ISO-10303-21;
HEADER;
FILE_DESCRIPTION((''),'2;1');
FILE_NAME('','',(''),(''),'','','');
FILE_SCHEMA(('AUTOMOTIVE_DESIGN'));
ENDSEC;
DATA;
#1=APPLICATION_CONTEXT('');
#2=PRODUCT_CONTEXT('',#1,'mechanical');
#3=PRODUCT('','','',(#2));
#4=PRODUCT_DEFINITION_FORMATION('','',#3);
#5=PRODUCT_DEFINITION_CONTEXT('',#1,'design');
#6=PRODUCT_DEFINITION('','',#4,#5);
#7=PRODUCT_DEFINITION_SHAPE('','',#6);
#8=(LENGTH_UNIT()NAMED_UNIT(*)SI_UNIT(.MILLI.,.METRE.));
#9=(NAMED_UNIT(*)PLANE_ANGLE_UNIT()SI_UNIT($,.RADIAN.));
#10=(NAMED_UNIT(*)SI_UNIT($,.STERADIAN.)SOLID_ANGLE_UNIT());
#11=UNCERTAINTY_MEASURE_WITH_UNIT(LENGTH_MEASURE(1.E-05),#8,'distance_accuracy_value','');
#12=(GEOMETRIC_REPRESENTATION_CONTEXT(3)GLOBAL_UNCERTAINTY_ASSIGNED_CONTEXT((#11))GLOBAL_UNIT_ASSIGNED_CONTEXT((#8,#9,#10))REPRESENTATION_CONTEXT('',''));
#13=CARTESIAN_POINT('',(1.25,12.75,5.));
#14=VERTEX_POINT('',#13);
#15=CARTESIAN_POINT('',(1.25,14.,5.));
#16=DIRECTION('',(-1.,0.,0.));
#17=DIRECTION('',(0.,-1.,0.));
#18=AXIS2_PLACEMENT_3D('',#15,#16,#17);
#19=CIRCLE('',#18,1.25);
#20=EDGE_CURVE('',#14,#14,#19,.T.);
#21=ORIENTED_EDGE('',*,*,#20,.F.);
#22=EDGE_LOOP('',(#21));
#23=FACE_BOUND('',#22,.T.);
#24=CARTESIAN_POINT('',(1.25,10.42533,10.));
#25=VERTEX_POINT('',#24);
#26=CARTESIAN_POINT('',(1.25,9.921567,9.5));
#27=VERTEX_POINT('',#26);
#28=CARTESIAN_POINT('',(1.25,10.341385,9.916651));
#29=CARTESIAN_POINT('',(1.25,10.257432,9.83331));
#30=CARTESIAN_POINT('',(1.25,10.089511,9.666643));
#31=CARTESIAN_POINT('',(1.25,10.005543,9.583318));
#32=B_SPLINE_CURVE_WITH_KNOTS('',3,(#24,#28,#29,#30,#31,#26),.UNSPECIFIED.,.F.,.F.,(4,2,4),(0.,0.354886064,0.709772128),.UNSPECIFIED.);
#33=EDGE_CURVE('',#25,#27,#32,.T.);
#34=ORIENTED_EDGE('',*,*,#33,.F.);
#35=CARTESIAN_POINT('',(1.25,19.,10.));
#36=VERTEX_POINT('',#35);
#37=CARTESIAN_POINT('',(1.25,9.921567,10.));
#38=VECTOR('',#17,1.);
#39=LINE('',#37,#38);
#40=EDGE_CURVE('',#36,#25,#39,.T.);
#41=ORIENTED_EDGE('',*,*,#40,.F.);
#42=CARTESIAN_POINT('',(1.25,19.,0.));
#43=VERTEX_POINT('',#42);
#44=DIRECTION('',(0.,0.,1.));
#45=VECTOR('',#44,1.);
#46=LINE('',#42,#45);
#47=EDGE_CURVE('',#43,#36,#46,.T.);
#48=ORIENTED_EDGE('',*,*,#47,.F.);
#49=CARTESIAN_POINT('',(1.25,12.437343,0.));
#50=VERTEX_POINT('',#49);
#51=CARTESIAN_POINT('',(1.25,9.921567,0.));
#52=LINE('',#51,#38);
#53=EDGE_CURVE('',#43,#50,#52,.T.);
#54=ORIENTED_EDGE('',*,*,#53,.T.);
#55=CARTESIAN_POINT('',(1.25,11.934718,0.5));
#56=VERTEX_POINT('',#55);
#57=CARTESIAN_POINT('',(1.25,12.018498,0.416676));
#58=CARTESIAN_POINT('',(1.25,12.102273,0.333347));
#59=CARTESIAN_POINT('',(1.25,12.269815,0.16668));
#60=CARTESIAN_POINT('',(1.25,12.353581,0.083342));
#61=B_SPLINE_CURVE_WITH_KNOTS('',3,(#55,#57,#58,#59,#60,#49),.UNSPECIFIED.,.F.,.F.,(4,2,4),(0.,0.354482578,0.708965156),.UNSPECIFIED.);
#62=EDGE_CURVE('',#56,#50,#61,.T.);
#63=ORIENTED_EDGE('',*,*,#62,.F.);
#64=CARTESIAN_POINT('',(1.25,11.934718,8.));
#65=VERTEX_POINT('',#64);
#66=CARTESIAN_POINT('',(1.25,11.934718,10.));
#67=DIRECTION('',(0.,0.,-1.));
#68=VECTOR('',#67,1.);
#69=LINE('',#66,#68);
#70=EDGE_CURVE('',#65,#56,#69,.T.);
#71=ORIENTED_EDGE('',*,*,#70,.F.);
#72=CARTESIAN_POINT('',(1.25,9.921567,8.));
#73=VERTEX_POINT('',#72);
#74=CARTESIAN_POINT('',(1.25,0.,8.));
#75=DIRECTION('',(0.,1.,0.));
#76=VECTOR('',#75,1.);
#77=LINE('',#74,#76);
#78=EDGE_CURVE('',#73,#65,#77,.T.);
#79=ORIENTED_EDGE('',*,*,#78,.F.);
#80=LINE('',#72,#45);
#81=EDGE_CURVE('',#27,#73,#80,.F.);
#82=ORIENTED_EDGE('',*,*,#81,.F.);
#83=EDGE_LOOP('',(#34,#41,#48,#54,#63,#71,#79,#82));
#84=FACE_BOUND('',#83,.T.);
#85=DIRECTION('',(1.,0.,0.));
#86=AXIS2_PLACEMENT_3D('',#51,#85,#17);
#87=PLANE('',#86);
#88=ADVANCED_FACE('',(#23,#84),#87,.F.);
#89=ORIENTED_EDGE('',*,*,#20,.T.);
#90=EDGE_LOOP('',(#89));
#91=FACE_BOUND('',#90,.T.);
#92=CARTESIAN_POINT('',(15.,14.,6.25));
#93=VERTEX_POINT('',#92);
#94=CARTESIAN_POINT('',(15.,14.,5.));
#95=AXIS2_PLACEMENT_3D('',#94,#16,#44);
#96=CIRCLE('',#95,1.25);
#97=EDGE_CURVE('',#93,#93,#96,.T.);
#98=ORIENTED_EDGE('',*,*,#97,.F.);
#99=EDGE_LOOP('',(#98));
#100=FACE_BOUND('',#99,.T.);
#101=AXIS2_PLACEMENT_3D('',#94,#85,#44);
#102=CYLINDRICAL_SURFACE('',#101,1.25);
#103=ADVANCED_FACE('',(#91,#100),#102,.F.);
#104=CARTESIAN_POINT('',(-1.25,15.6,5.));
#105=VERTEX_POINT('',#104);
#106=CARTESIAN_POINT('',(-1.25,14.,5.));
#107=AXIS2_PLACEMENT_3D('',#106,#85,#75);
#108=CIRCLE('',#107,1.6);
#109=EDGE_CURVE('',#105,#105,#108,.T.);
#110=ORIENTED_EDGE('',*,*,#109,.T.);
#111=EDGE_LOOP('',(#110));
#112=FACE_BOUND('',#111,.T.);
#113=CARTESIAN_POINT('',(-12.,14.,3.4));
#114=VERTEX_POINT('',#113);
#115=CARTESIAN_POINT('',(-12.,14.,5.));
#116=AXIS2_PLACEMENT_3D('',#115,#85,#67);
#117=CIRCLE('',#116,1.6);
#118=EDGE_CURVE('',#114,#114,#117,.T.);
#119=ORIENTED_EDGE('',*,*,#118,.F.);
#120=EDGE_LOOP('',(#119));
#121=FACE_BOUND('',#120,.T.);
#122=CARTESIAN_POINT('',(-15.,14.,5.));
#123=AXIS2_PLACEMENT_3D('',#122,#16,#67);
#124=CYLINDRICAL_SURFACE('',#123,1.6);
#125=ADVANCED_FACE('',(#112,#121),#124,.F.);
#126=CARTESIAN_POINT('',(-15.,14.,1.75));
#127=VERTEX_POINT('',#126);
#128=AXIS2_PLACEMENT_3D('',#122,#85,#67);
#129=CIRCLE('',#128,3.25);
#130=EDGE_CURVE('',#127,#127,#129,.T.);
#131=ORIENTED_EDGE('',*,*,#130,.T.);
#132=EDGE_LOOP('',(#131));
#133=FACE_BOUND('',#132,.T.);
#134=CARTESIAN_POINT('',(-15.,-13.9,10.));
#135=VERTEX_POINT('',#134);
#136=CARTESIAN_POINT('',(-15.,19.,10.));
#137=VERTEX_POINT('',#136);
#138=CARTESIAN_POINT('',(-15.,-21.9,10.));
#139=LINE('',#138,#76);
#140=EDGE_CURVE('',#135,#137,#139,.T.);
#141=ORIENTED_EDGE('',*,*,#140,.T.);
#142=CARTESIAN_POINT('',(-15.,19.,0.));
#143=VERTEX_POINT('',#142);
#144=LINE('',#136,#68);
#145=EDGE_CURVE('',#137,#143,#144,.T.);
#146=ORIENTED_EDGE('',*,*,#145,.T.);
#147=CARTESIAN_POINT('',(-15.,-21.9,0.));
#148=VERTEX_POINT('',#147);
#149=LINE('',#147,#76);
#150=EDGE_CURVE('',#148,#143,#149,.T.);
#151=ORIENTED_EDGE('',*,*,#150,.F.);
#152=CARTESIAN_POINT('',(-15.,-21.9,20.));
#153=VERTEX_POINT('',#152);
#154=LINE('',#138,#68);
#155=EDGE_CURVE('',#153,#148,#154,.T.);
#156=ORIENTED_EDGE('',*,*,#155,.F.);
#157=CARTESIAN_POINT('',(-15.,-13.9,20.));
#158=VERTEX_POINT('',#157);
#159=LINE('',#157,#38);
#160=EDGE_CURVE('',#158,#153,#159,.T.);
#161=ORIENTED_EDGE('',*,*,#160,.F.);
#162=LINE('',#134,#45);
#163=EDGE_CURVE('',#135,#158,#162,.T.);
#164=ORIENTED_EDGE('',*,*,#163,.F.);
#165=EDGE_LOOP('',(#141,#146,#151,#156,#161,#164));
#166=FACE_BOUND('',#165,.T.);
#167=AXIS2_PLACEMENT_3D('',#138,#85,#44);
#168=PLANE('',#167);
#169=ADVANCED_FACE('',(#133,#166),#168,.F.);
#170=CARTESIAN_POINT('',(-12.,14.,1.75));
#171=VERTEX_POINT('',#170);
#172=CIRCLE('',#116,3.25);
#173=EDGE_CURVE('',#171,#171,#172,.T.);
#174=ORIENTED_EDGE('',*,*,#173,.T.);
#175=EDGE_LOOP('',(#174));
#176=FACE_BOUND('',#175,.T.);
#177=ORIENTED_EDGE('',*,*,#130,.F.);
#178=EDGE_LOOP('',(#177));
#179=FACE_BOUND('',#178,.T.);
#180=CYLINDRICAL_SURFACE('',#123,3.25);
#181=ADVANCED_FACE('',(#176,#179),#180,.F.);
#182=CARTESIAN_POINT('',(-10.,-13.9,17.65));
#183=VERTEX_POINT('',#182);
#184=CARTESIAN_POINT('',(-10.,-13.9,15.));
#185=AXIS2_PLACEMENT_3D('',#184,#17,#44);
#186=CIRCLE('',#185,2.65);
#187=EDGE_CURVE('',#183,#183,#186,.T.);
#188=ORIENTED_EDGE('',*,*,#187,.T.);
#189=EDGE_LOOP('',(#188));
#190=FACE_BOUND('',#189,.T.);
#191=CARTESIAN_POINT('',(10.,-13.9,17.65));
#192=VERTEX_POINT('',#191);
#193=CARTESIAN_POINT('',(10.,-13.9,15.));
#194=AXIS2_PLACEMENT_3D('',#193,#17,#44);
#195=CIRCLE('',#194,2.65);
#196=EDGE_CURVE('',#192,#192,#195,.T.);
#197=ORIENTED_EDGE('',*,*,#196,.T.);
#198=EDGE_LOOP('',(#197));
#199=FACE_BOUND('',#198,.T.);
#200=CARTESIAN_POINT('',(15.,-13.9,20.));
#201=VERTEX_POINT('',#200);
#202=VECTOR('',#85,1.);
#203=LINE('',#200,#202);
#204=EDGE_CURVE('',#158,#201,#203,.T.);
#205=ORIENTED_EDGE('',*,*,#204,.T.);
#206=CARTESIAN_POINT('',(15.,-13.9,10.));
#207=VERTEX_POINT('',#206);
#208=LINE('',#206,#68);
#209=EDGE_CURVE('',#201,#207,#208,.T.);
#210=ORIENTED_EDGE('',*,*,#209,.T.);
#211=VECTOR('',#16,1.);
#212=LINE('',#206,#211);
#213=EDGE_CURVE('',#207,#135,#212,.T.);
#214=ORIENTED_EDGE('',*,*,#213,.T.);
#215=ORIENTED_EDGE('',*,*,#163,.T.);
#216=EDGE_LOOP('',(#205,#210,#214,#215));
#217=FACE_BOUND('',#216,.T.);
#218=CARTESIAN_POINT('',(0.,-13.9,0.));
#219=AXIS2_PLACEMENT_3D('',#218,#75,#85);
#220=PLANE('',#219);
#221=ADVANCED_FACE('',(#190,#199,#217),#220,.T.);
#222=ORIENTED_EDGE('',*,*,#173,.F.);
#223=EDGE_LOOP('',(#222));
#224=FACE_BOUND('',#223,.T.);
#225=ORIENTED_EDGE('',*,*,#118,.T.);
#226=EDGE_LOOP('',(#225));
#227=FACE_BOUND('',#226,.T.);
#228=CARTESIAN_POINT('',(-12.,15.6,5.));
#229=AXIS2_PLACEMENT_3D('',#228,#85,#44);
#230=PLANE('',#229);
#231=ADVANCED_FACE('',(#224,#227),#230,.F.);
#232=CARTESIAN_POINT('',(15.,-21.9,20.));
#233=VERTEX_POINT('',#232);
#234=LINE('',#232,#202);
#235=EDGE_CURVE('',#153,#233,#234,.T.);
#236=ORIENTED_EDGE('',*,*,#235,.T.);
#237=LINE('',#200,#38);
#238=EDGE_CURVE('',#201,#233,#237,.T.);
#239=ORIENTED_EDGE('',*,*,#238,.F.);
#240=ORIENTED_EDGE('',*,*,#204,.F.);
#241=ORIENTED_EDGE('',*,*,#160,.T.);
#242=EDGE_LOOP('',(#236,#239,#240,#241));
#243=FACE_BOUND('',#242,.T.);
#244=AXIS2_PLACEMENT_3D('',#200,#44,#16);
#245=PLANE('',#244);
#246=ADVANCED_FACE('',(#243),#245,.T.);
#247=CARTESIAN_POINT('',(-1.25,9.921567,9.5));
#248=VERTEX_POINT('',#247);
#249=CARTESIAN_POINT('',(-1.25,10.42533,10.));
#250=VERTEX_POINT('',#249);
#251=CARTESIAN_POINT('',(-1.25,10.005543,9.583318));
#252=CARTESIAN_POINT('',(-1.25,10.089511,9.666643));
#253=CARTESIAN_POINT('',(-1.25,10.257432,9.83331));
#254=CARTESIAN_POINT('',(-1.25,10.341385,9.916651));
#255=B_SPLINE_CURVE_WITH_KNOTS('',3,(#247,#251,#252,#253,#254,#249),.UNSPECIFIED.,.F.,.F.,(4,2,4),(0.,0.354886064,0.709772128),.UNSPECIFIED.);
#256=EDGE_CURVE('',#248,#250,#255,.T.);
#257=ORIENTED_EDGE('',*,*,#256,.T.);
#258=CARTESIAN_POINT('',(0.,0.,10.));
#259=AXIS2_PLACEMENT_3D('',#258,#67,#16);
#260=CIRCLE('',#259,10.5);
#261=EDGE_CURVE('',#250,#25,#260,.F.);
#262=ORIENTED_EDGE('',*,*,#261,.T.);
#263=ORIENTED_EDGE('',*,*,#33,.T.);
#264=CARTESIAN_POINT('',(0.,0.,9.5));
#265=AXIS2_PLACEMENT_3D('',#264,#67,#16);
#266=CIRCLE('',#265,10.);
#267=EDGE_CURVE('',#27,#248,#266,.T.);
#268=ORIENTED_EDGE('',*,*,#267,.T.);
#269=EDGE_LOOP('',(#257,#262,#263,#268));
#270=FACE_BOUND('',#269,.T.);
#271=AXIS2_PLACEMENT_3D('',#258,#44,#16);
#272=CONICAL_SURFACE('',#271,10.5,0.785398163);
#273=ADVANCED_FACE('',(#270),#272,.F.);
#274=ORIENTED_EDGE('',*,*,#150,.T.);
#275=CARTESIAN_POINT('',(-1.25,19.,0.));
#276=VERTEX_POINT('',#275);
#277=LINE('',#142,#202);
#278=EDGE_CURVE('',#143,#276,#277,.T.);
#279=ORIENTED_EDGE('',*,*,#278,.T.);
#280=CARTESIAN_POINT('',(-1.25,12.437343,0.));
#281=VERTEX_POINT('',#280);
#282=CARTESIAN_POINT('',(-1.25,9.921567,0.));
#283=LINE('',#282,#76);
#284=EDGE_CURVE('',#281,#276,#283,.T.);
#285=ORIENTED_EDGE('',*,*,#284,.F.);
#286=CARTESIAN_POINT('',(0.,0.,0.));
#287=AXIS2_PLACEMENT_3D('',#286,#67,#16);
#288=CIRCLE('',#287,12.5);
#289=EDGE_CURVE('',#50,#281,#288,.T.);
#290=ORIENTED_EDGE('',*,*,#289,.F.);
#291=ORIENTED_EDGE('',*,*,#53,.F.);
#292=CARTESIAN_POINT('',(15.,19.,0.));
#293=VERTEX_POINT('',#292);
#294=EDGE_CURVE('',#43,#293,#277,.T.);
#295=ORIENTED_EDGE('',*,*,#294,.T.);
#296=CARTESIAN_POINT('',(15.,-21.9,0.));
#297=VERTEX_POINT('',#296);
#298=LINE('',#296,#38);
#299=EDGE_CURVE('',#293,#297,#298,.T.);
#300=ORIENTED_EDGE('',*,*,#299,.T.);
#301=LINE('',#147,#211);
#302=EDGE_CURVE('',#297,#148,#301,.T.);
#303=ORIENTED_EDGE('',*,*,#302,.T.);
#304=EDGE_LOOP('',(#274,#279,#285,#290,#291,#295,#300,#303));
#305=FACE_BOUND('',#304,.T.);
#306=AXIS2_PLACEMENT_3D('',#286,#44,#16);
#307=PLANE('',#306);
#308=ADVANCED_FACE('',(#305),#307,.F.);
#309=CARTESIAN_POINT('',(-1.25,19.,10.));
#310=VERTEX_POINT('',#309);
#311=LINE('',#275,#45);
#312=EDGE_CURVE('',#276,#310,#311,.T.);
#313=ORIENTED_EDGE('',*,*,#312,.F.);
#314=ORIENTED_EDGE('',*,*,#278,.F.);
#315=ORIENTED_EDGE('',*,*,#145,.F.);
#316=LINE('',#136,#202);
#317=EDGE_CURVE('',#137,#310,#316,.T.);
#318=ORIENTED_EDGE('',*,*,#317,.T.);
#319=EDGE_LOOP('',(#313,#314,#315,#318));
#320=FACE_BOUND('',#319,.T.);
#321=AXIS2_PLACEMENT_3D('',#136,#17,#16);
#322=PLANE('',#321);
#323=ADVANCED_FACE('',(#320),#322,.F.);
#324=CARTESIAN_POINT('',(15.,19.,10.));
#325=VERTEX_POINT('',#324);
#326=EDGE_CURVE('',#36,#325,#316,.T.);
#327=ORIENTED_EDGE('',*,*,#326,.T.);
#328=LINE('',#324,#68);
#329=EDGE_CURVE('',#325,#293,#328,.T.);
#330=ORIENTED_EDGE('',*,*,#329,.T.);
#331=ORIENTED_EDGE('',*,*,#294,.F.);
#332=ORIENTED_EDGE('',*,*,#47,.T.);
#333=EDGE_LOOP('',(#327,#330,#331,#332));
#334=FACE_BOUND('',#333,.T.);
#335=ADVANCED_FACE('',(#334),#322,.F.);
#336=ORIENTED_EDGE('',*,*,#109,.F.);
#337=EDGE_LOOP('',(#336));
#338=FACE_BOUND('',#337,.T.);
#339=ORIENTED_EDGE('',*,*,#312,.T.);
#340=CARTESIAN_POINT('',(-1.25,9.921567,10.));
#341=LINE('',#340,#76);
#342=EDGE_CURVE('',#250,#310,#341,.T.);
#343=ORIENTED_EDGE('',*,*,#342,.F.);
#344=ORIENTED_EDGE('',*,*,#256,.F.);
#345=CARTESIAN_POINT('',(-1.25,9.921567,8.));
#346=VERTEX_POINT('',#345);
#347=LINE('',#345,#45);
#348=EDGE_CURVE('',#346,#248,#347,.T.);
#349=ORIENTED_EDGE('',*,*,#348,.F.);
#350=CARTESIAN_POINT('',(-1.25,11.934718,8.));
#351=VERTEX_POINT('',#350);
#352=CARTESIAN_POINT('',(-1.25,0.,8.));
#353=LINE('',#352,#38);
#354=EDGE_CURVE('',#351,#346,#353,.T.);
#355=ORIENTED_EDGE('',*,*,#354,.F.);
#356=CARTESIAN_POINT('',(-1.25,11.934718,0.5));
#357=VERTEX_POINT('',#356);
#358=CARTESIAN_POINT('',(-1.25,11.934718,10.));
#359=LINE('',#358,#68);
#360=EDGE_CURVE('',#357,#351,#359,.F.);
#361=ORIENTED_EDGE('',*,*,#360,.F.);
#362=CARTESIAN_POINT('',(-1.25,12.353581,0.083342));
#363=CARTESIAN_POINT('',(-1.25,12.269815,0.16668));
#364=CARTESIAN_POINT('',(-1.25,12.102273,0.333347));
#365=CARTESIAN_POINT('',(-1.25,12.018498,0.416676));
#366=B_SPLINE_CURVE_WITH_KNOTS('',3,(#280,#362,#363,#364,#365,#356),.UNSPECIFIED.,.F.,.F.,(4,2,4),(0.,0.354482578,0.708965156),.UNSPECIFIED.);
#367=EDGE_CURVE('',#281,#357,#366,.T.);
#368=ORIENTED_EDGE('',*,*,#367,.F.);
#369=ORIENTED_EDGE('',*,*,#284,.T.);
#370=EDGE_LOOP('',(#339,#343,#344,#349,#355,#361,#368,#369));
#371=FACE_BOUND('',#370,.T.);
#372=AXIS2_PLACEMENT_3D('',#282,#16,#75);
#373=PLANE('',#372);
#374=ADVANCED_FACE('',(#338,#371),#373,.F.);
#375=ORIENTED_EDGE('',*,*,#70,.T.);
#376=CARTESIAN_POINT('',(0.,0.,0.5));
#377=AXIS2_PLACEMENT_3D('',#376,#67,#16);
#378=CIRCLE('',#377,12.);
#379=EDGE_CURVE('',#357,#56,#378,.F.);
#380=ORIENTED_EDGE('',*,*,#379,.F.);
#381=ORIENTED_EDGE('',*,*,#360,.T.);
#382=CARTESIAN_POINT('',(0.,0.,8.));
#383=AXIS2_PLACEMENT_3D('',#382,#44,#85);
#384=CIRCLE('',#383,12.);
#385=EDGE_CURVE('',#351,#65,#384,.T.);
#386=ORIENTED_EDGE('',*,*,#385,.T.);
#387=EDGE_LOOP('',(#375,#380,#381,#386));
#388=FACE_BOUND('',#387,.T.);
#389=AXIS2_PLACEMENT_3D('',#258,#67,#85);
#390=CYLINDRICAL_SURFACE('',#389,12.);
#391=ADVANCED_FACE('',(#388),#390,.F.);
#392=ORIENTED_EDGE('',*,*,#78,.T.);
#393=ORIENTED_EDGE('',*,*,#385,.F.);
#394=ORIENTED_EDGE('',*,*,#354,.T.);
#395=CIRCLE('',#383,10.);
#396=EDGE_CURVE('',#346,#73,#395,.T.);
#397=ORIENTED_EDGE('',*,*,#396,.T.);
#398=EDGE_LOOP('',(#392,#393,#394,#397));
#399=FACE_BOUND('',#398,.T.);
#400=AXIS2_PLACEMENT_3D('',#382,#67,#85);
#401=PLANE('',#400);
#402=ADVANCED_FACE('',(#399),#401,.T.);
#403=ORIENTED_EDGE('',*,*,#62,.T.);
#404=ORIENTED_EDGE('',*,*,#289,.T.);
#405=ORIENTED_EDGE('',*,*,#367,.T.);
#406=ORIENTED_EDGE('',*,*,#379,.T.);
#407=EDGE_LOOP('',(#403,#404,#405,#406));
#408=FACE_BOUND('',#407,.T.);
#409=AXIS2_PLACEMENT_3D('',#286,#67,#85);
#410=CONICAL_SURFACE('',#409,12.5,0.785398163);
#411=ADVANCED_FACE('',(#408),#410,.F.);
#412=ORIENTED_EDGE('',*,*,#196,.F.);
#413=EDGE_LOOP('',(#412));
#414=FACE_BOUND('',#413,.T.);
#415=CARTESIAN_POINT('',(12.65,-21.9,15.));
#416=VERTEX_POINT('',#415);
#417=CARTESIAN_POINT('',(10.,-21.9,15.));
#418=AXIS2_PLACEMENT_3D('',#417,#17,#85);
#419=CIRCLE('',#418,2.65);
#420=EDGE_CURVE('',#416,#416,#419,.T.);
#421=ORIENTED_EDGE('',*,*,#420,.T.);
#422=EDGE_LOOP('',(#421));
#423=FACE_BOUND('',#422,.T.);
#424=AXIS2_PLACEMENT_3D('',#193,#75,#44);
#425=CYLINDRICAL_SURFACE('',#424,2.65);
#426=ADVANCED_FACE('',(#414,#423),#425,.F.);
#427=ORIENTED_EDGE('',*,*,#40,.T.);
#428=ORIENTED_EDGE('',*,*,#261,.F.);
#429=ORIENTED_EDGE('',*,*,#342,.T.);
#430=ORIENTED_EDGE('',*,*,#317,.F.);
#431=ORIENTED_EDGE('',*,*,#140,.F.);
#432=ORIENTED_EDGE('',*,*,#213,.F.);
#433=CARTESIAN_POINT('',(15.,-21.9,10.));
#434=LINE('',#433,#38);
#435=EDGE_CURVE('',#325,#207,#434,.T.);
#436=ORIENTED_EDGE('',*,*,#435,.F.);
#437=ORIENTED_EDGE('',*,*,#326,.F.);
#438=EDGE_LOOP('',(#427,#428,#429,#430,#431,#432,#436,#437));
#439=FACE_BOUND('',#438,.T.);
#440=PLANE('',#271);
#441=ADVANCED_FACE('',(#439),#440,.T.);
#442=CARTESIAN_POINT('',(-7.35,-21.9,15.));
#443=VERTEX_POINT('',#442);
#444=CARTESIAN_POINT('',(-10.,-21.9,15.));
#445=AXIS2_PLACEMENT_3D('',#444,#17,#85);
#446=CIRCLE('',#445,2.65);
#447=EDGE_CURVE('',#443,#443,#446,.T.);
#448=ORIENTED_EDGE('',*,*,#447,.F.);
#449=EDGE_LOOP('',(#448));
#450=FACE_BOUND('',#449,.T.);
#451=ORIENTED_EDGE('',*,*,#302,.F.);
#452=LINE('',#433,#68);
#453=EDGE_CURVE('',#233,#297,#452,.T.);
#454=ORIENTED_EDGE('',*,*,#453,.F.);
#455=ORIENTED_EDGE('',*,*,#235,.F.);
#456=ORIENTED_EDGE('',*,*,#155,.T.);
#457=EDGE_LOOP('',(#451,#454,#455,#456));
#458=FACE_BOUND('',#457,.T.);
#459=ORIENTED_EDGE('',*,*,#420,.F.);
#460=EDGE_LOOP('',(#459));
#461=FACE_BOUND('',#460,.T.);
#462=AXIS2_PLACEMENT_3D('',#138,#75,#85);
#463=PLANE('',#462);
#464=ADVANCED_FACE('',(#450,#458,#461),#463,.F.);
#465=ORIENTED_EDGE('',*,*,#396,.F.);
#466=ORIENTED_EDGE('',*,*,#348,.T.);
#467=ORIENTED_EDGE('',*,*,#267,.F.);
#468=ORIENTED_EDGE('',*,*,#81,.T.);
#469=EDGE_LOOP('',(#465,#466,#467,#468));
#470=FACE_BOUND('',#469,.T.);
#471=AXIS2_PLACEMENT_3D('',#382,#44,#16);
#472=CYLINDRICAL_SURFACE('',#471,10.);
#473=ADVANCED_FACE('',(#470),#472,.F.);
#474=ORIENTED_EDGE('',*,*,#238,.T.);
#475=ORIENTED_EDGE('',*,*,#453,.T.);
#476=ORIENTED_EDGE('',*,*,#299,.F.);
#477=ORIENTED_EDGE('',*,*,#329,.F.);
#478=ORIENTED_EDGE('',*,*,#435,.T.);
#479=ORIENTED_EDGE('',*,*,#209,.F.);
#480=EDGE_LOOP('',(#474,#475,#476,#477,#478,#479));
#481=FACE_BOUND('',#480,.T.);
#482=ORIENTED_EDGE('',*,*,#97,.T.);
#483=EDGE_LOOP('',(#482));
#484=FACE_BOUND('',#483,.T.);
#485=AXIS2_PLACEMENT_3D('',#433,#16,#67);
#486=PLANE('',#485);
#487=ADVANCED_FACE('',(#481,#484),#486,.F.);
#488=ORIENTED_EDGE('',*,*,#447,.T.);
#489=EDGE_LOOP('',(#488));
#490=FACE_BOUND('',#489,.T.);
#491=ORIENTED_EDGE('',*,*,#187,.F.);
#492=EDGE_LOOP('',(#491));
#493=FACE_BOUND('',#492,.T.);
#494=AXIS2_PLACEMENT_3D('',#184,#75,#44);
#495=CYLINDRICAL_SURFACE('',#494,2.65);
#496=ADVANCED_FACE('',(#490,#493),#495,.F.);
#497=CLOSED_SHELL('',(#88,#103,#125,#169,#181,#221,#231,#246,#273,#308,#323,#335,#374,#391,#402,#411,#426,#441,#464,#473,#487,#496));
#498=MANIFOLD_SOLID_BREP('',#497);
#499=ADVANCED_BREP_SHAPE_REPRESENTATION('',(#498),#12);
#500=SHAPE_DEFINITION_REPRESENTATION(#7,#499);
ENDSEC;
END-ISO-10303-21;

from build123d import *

# Parameters (mm, degrees)
SKETCH1_W                      = 30
SKETCH1_H                      = 40.9
SKETCH1_R                      = 12
BOSS_EXTRUDE1_DEPTH            = 10
BOSS_EXTRUDE2_START            = 2
SKETCH2_R                      = 12
SKETCH2_R_2                    = 10
BOSS_EXTRUDE2_DEPTH            = 2
SKETCH3_W                      = 2.5
SKETCH3_H                      = 9.078432584
CUT_EXTRUDE1_DEPTH             = 29.365648239
CBORE_FOR_M3_SHCS1_D           = 3.2
CBORE_FOR_M3_SHCS1_DEPTH       = 13.75
CBORE_FOR_M3_SHCS1_CBORE_D     = 6.5
CBORE_FOR_M3_SHCS1_CBORE_DEPTH = 3
TAP_DRILL_FOR_M3X0_5_TAP1_D    = 2.5
CHAMFER1_SIZE                  = 0.5
SKETCH8_W                      = 30
SKETCH8_H                      = 10
BOSS_EXTRUDE3_DEPTH            = 8
M5_CLEARANCE_HOLE1_D           = 5.3


with BuildPart() as part:
    # Sketch1 → Boss-Extrude1 (new body)
    with BuildSketch(Plane.XY):
        with Locations((0, -1.45)):
            Rectangle(SKETCH1_W, SKETCH1_H)
        Circle(SKETCH1_R, mode=Mode.SUBTRACT)
    extrude(amount=BOSS_EXTRUDE1_DEPTH)

    # Sketch2 → Boss-Extrude2 (add)
    with BuildSketch(Plane(origin=(0, 0, 10), x_dir=(-1, 0, 0), z_dir=(0, 0, -1)).offset(BOSS_EXTRUDE2_START)):
        Circle(SKETCH2_R)
        Circle(SKETCH2_R_2, mode=Mode.SUBTRACT)
    extrude(amount=-BOSS_EXTRUDE2_DEPTH)

    # Sketch3 → Cut-Extrude1 (cut, through all)
    with BuildSketch(Plane.XY.offset(10)):
        with Locations((0, 14.460783708)):
            Rectangle(SKETCH3_W, SKETCH3_H)
    extrude(amount=-CUT_EXTRUDE1_DEPTH, mode=Mode.SUBTRACT)

    # CBORE for M3 SHCS1
    with Locations(Plane(origin=(15, 0, 0), x_dir=(0, 0, -1), z_dir=(1, 0, 0))):
        with Locations((-5, 14)):
            CounterBoreHole(CBORE_FOR_M3_SHCS1_D / 2, CBORE_FOR_M3_SHCS1_CBORE_D / 2, CBORE_FOR_M3_SHCS1_CBORE_DEPTH, depth=CBORE_FOR_M3_SHCS1_DEPTH)

    # Tap Drill for M3x0.5 Tap1 (through all)
    with Locations(Plane.ZY.offset(15)):
        with Locations((5, 14)):
            Hole(TAP_DRILL_FOR_M3X0_5_TAP1_D / 2)

    # Chamfer1
    chamfer1_edges = [part.edges().sort_by_distance(p)[0] for p in [
        (0, -10, 10),
        (0, -12, 0),
    ]]
    chamfer(chamfer1_edges, length=CHAMFER1_SIZE)

    # Sketch8 → Boss-Extrude3 (add)
    with BuildSketch(Plane.XZ.offset(21.9)):
        with Locations((0, 15)):
            Rectangle(SKETCH8_W, SKETCH8_H)
    extrude(amount=-BOSS_EXTRUDE3_DEPTH)

    # M5 Clearance Hole1 (through all)
    with Locations(Plane(origin=(0, -13.9, 0), x_dir=(1, 0, 0), z_dir=(0, 1, 0))):
        with Locations((-10, -15), (10, -15)):
            Hole(M5_CLEARANCE_HOLE1_D / 2)


with BuildPart() as body_2:
    # Mirror1: mirrored copy
    add(part.part.mirror(Plane(origin=(0, 0, 0), x_dir=(0, 0, 1), z_dir=(1, 0, 0))))


solid = body_2.part
